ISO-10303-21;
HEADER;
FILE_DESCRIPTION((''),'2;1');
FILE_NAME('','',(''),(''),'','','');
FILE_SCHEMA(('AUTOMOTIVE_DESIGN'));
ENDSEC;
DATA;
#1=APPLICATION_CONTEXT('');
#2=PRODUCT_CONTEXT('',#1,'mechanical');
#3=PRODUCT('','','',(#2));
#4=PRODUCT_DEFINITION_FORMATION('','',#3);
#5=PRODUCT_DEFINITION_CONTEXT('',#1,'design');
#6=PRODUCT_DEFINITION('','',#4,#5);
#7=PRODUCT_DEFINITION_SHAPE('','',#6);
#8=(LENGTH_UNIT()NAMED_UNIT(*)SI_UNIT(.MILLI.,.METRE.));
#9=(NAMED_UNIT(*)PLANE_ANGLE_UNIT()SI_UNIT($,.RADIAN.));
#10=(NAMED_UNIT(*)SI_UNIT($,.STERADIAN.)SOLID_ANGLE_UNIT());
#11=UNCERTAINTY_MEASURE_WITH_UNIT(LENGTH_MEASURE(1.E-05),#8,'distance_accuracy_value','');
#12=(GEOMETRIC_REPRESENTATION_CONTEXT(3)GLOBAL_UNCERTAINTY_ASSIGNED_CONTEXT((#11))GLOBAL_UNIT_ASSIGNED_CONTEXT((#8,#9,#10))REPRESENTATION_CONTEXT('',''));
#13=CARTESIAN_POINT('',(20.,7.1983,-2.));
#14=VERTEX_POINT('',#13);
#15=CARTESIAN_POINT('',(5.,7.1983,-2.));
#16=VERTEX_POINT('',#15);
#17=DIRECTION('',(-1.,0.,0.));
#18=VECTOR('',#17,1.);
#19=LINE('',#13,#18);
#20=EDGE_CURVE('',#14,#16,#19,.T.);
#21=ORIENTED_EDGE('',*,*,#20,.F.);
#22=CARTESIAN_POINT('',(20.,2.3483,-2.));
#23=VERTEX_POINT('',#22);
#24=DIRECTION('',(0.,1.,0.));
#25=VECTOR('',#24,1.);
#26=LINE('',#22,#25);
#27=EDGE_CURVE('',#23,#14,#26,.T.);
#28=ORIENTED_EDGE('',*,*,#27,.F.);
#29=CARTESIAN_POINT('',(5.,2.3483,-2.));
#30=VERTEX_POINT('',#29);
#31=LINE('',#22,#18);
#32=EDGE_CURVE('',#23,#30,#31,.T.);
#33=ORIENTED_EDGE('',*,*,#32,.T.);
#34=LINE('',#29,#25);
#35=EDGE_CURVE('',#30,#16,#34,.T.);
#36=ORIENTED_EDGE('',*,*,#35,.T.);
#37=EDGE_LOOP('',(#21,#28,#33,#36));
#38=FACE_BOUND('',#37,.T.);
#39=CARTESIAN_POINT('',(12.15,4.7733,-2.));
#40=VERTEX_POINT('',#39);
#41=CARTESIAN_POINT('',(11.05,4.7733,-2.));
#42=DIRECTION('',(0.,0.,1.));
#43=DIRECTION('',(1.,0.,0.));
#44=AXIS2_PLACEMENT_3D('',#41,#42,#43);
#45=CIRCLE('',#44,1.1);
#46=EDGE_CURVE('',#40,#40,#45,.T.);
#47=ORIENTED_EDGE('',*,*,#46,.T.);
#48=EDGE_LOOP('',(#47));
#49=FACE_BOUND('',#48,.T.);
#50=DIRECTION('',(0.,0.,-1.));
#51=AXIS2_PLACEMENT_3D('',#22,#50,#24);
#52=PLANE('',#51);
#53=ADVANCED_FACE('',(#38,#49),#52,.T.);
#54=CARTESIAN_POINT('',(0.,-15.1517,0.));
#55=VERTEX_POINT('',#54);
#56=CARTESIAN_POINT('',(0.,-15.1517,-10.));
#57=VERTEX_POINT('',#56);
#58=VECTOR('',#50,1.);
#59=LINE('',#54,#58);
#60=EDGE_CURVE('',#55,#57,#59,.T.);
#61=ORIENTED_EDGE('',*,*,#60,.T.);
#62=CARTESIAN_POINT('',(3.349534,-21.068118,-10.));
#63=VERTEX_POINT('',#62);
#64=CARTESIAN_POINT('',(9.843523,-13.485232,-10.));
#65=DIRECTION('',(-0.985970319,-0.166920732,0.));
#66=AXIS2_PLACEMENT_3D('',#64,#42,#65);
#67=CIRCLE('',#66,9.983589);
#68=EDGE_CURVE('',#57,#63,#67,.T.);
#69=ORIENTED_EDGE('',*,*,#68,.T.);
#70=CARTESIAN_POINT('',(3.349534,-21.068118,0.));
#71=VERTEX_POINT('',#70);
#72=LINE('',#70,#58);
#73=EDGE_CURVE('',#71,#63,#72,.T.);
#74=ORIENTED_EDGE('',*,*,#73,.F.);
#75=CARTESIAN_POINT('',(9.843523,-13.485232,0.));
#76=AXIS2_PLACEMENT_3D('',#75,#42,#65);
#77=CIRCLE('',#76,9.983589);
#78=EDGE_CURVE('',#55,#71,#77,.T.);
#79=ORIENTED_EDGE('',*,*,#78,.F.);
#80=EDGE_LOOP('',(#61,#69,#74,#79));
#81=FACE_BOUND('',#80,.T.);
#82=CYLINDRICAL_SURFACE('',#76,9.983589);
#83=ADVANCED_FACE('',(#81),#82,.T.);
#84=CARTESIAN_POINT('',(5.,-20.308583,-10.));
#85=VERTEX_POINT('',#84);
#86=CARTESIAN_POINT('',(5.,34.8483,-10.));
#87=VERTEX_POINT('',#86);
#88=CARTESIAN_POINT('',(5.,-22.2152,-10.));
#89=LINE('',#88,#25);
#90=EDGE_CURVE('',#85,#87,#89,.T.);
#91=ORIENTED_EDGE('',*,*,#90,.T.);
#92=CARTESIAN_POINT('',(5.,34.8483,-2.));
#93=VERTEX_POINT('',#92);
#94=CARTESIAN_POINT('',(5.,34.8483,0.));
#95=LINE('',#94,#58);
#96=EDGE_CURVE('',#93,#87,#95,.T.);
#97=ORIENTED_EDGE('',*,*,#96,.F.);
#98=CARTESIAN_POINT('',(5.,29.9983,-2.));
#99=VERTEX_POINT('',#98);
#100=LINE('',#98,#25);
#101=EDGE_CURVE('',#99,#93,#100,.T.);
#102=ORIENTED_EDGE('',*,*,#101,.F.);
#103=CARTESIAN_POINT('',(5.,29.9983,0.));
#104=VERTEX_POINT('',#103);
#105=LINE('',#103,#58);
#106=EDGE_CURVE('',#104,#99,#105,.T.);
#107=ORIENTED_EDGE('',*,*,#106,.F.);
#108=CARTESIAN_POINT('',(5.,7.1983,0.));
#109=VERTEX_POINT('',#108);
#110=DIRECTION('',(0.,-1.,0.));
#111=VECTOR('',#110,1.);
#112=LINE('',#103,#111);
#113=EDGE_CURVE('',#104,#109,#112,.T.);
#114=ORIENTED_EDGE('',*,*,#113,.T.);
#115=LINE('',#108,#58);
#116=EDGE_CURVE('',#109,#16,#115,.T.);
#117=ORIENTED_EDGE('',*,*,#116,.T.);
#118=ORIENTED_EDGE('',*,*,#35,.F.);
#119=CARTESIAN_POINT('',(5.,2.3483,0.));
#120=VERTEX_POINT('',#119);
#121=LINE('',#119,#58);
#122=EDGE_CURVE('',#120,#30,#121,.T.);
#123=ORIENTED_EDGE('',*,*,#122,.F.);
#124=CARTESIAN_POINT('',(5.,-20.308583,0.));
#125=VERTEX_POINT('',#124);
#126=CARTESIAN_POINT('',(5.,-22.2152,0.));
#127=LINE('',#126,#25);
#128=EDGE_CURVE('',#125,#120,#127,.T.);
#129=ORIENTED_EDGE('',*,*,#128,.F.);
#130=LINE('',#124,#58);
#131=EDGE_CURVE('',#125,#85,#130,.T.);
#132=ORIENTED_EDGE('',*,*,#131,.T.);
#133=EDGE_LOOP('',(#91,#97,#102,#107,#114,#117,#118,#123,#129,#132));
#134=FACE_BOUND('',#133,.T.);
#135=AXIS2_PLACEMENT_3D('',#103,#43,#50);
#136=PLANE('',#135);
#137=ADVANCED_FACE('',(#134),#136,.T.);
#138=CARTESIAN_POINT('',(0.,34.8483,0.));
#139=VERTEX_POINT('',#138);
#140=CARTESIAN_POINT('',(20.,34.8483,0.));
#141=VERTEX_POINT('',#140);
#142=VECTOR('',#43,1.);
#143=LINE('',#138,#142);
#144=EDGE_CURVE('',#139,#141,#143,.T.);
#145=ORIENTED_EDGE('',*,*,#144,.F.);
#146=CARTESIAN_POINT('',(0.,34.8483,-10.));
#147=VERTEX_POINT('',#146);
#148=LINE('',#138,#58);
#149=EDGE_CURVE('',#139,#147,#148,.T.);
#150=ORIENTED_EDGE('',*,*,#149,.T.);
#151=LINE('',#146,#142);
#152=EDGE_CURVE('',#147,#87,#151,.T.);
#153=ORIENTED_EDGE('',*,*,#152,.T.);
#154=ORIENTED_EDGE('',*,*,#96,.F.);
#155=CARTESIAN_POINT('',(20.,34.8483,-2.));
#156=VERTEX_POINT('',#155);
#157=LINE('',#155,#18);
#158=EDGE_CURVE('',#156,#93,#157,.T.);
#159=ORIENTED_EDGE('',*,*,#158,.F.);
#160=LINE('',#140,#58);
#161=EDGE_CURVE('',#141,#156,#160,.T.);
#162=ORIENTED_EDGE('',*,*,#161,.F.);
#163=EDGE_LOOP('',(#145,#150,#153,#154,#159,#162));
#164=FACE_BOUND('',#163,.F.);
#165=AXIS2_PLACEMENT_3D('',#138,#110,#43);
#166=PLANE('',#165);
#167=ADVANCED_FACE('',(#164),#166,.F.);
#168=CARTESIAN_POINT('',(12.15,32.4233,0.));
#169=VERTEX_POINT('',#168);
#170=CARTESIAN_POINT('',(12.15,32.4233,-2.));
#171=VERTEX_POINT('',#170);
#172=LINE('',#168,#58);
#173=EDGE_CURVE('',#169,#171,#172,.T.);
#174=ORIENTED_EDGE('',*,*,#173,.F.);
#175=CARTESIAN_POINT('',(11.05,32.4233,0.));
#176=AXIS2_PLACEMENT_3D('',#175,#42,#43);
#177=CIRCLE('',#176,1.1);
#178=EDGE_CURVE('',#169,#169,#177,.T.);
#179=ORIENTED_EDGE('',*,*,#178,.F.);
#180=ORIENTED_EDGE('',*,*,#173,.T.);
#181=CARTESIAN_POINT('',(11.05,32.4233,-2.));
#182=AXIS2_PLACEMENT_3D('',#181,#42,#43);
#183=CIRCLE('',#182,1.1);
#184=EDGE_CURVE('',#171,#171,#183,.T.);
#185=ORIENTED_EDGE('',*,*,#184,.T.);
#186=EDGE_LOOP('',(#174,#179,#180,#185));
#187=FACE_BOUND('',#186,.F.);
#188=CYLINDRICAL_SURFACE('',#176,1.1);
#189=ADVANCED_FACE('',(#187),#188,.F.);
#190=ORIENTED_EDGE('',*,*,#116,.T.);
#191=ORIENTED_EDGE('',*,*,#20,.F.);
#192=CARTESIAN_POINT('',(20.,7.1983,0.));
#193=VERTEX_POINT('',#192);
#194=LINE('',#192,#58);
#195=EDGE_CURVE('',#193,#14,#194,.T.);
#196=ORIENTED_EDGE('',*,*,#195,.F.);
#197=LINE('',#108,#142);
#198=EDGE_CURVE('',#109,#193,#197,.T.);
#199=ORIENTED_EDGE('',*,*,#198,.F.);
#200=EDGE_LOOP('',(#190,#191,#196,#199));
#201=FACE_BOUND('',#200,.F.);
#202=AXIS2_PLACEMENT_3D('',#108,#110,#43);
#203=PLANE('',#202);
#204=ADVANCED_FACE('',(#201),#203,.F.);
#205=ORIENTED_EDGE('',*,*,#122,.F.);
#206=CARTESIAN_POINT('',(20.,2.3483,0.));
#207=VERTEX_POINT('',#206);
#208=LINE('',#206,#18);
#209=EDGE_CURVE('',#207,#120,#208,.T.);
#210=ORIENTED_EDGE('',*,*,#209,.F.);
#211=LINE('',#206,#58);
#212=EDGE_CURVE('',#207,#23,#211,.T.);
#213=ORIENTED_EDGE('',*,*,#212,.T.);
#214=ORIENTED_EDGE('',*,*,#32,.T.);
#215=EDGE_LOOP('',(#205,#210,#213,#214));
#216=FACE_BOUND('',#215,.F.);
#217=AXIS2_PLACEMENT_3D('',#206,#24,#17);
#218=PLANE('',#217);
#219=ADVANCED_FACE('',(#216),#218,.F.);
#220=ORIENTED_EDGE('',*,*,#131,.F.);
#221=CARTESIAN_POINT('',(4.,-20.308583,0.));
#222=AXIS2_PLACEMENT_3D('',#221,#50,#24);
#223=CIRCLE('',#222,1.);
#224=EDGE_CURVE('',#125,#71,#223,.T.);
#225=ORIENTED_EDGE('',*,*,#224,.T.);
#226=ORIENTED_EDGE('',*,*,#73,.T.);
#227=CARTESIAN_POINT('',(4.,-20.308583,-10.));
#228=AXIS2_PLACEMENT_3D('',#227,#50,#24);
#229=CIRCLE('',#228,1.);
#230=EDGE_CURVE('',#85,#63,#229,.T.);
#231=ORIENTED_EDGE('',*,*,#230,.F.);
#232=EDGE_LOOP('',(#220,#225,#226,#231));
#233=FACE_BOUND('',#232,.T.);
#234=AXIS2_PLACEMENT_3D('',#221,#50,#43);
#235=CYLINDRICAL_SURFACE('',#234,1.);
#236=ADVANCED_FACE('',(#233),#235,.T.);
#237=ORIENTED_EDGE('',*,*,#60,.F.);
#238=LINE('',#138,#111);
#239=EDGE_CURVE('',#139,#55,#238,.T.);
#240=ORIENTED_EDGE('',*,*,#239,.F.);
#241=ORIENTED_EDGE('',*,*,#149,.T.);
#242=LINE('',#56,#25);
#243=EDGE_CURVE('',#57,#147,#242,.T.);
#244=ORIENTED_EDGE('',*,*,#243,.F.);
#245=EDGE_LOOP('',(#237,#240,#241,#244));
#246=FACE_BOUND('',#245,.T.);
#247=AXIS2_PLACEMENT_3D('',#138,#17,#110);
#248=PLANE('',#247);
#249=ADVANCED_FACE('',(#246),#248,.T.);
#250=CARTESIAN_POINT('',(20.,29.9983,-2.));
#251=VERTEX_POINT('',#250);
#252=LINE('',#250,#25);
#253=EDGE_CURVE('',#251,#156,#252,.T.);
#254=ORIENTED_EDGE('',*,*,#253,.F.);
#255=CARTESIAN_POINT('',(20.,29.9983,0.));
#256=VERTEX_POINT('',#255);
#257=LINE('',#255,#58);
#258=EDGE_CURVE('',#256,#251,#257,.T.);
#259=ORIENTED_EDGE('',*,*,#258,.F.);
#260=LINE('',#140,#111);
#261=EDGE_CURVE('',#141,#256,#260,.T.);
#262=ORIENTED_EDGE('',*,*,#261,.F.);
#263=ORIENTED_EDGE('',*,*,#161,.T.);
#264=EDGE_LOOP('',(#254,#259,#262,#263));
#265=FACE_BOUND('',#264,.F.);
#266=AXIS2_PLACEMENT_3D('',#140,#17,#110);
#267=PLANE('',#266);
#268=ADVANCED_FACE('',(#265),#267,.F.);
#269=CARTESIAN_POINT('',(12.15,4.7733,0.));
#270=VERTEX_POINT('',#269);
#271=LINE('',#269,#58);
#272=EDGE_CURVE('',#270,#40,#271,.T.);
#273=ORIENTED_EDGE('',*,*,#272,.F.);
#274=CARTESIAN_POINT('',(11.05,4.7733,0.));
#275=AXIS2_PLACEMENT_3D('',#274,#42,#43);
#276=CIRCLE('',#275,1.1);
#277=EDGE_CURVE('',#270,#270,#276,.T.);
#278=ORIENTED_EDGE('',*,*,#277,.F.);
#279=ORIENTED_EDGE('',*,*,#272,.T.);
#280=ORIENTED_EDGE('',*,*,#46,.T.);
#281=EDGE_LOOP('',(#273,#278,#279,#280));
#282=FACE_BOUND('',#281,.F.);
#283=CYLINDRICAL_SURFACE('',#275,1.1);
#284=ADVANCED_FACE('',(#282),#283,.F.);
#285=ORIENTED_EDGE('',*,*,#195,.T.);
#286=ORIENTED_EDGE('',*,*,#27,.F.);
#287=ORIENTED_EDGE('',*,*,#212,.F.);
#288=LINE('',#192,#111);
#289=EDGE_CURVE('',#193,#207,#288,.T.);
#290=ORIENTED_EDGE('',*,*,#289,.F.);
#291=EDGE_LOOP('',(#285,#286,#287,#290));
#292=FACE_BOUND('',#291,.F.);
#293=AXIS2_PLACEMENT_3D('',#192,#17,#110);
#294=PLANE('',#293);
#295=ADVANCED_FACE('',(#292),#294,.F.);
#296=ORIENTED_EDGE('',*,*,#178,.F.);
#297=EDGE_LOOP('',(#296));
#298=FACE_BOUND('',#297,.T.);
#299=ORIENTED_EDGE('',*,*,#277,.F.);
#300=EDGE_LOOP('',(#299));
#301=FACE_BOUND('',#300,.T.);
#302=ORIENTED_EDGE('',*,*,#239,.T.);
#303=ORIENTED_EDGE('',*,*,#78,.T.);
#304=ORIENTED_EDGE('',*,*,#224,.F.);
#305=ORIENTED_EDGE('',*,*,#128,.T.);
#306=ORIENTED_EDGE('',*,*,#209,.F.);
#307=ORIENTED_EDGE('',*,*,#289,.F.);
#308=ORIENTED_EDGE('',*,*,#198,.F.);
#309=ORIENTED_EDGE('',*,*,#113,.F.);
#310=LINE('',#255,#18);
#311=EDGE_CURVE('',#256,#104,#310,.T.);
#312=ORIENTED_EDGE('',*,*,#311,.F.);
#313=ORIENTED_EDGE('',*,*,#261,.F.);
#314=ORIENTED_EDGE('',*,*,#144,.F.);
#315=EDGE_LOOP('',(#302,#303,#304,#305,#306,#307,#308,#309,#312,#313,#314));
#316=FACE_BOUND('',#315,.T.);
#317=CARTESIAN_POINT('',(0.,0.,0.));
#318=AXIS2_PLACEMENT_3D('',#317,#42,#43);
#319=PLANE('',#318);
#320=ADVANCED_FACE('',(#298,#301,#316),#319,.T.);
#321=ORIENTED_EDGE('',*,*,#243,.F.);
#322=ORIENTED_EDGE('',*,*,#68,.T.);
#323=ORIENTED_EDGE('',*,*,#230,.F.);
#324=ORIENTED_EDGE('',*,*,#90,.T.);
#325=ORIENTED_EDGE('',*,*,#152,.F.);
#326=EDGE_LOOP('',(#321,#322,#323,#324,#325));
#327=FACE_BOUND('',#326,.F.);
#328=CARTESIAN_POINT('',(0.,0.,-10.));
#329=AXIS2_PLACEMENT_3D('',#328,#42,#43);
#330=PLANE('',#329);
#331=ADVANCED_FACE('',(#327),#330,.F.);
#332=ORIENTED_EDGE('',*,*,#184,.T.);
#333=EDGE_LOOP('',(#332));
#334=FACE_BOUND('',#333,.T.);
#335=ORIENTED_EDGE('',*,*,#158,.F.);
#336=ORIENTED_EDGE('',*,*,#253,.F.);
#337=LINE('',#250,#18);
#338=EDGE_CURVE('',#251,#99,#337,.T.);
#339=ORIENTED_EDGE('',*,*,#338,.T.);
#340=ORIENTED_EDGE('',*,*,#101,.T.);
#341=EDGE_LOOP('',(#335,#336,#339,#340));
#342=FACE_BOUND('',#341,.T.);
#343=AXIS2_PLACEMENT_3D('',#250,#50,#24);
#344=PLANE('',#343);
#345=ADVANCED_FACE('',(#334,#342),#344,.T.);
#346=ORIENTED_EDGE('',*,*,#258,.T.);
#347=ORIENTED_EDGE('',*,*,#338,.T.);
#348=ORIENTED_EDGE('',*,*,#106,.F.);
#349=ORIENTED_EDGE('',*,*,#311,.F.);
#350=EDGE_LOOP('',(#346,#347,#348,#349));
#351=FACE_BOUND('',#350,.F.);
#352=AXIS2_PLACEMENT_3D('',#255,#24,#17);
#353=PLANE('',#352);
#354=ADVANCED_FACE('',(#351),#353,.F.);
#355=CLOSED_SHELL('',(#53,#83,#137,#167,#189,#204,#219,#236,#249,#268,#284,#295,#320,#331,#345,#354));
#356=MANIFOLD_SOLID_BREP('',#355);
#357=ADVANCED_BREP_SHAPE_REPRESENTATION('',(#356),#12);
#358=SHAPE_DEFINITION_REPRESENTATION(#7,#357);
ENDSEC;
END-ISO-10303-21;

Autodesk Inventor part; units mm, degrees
ref_plane "YZ Plane" through (0, 0, 0) normal (1, 0, 0) x (0, 1, 0)
ref_plane "XZ Plane" through (0, 0, 0) normal (0, 1, 0) x (-1, 0, 0)
ref_plane "XY Plane" through (0, 0, 0) normal (0, 0, 1) x (1, 0, 0)
sketch "Sketch1" plane through (0, 0, 0) normal (0, 0, 1) x (1, 0, 0)
  line L0 (0, 34.8483) -> (20, 34.8483)
  line L1 (20, 34.8483) -> (20, 29.9983)
  line L2 (0, 34.8483) -> (0, 0)
  line L3 (20, 29.9983) -> (5, 29.9983)
  line L4 (5, 29.9983) -> (5, 7.1983)
  line L5 (5, 7.1983) -> (20, 7.1983)
  line L6 (20, 7.1983) -> (20, 2.3483)
  line L7 (20, 2.3483) -> (5, 2.3483)
  line L8 (0, 0) -> (0, -15.1517)
  line L9 (5, -15.1517) -> (5, 2.3483)
  line L10 (5, -15.1517) -> (5, -22.2152)
  arc A0 (0, -15.1517) -> (5, -22.2152) centre (9.8436, -13.4852) ccw
  dimension "d14" = 20
  dimension "d15" = 4.85
  dimension "d17" = 4.85
  dimension "d18" = 22.8
  dimension "d19" = 20
  dimension "d20" = 5
  dimension "d22" = 9.9837
  dimension "d23" = 90
  dimension "d24" = 29.9983
  dimension "d25" = 10.1564
  dimension "d26" = 43.4835
  dimension "d27" = 45.15
extrude "Extrusion1" add sketch "Sketch1" against normal blind 10
sketch "Sketch2" plane through (20, 29.9983, 0) normal (1, 0, 0) x (0, 0, -1)
  line L0 (0, 0) -> (10, 0) projected
  line L1 (2, 0) -> (2, 4.85)
  line L2 (0, 4.85) -> (10, 4.85) projected
  line L3 (2, 4.85) -> (10, 4.85)
  line L4 (10, 4.85) -> (10, 0)
  line L5 (10, -45.15) -> (10, 4.85) projected
  line L6 (0, 0) -> (0, 4.85) projected
  line L7 (0, 0) -> (10, 0) projected
  line L8 (2, 0) -> (10, 0)
  line L9 (10, -22.8) -> (10, -27.65) projected
  line L10 (2, -27.65) -> (2, -22.8)
  line L11 (2, -22.8) -> (10, -22.8)
  line L12 (10, -22.8) -> (10, -27.65)
  line L13 (2, -27.65) -> (10, -27.65)
  point P0 (0, -29.9983)
  point P1 (10, -11.4)
  dimension "d30" = 2
  dimension "d33" = 11.4
  dimension "d36" = 27.65
extrude "Extrusion2" cut sketch "Sketch2" against normal blind 15 contours L5 L13 L10 L11 | L1 L2 L4 L0
fillet "Fillet1" radius 1 1 edges at (5, -22.2152, -5)
sketch "Sketch3" plane through (0, 0, 0) normal (0, 0, 1) x (1, 0, 0)
  line L0 (20, 34.8483) -> (0, 34.8483) projected
  line L1 (5, 7.1983) -> (5, 29.9983) projected
  circle A0 centre (11.05, 32.4233) radius 1.1
  circle A1 centre (11.05, 4.7733) radius 1.1
  point P0 (0, 0)
  dimension "d42" = 2.425
  dimension "d43" = 6.05
  dimension "d44" = 1.1
  dimension "d47" = 27.65
extrude "Extrusion3" cut sketch "Sketch3" against normal blind 15
properties part number "first joint"
